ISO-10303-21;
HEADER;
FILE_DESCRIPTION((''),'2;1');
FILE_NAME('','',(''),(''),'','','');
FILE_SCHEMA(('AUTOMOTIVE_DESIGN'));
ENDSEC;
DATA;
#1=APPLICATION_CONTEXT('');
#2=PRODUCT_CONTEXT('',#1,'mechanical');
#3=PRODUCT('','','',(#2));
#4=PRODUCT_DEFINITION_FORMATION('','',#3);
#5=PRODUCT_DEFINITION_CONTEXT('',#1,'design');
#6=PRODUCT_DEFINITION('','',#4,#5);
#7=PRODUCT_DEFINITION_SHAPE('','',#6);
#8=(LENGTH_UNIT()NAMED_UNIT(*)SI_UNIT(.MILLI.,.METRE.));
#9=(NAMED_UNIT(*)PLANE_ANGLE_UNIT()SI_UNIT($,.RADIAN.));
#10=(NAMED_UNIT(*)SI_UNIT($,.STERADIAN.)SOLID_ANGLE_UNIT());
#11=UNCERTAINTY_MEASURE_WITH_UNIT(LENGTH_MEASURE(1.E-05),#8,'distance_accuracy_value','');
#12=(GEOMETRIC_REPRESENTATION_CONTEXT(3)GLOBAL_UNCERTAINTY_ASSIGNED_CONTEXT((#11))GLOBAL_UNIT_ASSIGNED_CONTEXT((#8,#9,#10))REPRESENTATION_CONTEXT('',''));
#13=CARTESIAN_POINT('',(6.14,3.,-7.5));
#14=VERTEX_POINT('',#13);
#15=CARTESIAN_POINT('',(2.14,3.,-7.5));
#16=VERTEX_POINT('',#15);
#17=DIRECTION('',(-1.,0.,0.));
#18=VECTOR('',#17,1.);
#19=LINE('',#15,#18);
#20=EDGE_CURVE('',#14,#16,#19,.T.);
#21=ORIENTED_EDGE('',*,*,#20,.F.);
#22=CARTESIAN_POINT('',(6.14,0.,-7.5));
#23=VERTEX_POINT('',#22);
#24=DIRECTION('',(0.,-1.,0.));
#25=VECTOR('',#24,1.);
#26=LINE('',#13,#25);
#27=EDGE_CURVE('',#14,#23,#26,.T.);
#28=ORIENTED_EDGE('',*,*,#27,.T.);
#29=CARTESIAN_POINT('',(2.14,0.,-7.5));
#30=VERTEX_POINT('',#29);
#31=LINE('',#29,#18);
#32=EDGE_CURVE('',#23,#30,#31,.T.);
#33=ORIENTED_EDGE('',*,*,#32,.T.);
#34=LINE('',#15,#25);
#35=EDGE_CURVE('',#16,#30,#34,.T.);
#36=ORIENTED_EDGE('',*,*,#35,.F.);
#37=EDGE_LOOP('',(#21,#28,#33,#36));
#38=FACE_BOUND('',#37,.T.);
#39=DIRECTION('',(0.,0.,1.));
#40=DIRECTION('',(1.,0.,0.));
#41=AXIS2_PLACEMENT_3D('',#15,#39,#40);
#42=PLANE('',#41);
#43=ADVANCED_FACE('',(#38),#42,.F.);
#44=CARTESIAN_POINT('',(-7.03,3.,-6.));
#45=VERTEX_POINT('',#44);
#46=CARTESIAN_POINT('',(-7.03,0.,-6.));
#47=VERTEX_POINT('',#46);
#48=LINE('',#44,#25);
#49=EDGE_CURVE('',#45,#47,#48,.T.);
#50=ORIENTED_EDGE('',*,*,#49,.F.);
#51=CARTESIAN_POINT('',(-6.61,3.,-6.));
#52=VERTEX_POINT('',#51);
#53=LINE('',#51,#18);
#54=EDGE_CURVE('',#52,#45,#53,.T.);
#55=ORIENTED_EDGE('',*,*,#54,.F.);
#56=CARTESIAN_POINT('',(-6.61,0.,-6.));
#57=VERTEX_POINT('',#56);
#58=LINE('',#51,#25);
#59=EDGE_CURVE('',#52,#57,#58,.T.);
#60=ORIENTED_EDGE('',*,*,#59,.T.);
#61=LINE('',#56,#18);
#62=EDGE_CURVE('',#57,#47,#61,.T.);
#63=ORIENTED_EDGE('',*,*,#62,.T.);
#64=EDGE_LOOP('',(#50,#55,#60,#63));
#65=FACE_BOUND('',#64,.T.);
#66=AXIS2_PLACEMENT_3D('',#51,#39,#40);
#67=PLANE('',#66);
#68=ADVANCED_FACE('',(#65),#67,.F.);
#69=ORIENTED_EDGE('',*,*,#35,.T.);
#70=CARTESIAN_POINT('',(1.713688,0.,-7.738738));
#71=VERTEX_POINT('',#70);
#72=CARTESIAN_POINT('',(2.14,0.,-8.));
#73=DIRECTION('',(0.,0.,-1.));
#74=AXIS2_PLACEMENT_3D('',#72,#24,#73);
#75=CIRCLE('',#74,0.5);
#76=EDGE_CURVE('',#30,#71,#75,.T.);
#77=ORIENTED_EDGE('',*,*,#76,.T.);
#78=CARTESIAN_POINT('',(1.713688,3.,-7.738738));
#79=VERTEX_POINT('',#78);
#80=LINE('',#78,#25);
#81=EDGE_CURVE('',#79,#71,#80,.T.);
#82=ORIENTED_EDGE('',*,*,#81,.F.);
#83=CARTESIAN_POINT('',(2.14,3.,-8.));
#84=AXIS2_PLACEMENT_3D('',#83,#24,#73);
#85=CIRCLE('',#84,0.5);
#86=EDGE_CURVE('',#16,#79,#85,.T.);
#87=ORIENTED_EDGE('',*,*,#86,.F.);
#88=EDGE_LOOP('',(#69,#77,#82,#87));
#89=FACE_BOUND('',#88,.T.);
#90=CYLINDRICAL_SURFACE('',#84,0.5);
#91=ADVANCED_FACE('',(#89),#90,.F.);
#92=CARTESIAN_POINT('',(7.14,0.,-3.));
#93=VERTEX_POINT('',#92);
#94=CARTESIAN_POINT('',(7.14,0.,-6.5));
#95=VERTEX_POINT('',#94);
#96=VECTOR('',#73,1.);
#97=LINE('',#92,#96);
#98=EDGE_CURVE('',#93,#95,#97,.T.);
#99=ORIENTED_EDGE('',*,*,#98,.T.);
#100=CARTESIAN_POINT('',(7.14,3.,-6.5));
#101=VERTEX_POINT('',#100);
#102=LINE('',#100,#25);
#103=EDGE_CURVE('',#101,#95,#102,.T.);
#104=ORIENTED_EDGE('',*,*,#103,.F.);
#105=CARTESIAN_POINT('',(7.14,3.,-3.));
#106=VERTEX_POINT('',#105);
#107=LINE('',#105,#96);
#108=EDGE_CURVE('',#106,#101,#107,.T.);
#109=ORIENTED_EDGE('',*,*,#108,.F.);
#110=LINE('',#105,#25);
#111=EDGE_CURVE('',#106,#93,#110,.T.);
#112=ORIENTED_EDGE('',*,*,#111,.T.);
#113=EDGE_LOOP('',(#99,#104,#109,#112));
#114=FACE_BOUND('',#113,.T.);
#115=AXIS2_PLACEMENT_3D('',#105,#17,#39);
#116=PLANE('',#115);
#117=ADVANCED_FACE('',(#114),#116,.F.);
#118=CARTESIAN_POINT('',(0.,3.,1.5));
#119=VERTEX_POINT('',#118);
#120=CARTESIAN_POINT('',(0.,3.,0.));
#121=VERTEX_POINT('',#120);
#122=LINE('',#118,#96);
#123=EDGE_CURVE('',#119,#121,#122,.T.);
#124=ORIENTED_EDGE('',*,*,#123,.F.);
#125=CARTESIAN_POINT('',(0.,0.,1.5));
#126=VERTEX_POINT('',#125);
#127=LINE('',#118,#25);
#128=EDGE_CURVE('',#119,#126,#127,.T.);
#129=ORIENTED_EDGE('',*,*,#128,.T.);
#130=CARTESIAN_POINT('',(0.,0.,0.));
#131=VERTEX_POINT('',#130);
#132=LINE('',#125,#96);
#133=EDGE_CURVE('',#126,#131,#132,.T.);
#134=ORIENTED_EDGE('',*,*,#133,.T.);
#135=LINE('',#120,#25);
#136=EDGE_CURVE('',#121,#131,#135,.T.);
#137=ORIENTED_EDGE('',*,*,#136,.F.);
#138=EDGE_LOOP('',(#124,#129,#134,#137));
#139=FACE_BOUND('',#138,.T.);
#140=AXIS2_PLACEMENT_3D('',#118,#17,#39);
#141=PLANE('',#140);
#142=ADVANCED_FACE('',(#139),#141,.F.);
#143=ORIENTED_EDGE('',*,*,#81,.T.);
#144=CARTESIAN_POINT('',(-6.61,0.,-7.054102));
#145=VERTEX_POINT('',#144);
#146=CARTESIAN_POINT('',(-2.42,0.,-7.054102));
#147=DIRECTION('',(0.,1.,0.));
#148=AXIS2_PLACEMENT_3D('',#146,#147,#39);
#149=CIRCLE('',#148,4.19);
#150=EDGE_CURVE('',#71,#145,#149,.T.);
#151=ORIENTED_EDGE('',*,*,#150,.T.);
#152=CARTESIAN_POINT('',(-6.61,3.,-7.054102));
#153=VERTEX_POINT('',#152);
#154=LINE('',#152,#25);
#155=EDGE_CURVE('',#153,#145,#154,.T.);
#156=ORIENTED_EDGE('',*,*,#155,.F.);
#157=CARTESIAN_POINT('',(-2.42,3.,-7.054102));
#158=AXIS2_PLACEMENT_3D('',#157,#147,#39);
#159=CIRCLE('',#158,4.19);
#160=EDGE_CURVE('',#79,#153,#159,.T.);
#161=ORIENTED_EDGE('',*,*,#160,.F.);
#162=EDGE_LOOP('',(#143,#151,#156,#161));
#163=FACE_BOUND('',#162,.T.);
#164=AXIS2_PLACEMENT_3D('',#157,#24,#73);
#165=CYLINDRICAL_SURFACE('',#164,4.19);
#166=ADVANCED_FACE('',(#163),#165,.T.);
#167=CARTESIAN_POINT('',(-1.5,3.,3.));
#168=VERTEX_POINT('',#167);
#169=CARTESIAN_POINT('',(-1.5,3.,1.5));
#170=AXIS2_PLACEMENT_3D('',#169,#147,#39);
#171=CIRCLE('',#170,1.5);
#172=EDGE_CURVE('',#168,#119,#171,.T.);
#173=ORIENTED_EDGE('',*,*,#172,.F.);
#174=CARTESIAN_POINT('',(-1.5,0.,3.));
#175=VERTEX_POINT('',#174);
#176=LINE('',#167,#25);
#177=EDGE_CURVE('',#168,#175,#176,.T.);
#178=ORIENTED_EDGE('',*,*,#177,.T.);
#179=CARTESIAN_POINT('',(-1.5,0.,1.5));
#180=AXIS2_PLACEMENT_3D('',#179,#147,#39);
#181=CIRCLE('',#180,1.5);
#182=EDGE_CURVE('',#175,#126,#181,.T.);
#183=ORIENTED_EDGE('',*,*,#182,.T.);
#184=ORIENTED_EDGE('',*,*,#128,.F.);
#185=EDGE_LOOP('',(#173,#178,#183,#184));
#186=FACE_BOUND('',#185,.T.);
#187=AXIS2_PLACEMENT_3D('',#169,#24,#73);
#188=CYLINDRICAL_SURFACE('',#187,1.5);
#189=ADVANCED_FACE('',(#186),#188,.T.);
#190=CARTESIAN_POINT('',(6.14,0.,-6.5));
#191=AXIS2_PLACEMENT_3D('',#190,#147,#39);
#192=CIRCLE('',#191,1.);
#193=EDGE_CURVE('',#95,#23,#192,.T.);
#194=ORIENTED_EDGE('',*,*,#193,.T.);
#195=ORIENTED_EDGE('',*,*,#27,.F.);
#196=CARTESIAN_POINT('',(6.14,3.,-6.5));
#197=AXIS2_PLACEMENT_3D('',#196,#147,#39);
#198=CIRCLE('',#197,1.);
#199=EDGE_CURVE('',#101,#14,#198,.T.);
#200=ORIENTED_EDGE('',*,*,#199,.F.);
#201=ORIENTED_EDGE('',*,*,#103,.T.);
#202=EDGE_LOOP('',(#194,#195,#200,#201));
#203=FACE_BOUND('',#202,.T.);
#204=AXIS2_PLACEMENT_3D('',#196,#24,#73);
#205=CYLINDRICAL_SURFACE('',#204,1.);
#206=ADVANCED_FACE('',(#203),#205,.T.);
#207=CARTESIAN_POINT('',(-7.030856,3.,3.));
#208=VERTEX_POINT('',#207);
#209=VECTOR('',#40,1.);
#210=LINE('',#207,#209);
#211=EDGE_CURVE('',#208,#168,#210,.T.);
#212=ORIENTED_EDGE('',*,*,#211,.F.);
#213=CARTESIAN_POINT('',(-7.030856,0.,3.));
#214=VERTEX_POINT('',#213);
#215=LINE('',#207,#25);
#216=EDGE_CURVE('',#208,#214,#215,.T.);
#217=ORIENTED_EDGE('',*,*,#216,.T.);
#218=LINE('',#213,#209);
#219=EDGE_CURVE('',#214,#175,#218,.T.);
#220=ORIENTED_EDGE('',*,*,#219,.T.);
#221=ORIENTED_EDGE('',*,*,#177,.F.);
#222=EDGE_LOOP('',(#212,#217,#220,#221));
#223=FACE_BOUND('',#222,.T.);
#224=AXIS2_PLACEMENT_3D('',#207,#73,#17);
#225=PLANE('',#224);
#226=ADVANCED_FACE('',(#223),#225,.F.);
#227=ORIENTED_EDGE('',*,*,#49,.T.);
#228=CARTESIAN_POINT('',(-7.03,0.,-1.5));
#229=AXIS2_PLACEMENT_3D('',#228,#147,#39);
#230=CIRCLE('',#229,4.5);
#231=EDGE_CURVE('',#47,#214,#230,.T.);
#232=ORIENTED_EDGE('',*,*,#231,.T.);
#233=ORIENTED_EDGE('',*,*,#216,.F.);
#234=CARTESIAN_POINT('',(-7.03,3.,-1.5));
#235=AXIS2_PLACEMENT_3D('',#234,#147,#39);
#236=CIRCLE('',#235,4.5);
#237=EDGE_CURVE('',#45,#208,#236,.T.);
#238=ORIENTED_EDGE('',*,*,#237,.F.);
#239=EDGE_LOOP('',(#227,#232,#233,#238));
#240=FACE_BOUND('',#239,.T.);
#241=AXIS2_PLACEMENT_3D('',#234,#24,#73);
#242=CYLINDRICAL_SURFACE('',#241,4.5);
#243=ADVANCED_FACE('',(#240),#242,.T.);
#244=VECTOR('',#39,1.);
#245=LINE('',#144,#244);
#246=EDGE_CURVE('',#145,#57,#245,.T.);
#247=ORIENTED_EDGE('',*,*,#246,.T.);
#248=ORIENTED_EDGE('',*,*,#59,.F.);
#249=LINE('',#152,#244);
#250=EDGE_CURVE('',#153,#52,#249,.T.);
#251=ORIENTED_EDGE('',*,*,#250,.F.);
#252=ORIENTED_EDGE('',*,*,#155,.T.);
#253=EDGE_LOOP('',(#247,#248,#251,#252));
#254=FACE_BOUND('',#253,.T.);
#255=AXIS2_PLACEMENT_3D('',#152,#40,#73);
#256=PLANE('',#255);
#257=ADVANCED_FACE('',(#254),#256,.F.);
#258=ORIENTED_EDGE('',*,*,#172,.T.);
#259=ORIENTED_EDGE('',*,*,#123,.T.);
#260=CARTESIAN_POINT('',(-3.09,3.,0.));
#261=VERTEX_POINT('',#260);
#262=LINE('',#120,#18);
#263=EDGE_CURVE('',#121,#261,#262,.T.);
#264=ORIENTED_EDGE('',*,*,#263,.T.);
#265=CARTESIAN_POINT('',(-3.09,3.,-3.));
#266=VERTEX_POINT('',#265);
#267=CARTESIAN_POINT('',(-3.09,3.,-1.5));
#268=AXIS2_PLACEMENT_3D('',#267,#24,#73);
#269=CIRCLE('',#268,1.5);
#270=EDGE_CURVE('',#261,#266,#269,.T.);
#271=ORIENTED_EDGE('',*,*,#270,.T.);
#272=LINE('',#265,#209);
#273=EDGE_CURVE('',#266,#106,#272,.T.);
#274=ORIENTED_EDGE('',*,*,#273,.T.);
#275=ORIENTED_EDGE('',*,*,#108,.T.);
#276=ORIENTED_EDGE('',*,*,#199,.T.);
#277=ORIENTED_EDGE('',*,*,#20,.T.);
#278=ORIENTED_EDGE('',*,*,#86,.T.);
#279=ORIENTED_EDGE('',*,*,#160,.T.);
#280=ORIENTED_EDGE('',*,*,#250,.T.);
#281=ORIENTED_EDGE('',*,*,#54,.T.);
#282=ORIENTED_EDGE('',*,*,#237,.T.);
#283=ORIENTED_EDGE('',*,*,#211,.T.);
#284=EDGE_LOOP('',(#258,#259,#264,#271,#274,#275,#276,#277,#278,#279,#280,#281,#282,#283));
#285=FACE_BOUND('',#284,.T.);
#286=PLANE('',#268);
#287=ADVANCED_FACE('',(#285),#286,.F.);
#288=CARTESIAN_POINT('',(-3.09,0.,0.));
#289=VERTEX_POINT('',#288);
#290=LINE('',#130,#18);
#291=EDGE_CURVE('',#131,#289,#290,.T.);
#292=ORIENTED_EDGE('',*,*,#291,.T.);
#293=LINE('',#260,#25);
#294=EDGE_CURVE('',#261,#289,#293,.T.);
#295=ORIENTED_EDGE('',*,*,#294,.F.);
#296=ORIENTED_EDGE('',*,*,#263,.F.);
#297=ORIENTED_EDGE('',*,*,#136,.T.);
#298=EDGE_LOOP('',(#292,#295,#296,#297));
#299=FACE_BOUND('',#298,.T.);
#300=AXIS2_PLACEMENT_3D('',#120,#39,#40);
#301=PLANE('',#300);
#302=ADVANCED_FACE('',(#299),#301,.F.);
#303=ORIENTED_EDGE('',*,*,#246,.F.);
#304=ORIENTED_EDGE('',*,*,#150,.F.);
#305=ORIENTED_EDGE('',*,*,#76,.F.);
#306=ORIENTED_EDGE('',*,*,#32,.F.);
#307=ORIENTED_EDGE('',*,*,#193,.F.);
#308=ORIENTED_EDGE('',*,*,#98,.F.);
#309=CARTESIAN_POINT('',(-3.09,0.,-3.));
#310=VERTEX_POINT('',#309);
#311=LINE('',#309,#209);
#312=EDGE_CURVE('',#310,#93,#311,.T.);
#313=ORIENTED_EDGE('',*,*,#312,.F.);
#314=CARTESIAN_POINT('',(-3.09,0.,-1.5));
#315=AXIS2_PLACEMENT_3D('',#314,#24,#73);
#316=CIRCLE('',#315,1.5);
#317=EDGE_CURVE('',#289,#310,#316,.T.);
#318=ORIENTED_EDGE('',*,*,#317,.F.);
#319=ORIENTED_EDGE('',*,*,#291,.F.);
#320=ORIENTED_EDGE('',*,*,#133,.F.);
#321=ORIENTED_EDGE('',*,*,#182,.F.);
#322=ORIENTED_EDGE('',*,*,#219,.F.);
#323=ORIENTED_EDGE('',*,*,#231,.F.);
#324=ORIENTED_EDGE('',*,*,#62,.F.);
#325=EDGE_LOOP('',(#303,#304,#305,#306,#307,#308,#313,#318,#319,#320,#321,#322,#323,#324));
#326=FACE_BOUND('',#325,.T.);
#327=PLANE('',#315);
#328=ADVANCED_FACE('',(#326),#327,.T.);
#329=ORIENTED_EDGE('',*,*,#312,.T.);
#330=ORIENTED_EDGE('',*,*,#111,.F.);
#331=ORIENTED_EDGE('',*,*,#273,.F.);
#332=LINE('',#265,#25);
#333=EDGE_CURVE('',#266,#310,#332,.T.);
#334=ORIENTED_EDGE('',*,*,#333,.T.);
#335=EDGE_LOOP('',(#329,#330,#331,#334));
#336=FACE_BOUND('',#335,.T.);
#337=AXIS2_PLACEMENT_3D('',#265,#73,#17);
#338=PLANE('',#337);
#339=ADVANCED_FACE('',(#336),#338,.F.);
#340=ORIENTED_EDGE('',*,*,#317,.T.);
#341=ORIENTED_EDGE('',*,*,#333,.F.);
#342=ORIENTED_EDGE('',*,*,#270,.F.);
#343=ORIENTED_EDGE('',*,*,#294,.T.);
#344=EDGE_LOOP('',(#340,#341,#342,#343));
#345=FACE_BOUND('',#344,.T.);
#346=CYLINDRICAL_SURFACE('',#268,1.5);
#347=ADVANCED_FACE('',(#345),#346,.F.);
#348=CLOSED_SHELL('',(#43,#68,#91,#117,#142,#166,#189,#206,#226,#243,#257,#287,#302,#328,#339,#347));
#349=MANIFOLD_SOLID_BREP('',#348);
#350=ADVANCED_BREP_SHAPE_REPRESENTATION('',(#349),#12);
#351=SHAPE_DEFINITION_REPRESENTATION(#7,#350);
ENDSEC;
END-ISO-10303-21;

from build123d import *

# Parameters (mm, degrees)
BOSS_EXTRUDE2_DEPTH = 3


with BuildPart() as part:
    # Sketch1 → Boss-Extrude2 (new body)
    with BuildSketch(Plane(origin=(0, 0, 0), x_dir=(1, 0, 0), z_dir=(0, 1, 0))):
        with BuildLine():
            Line((0, 0), (-3.09, 0))
            ThreePointArc((-3.09, 0), (-4.59, 1.5), (-3.09, 3))
            Line((-3.09, 3), (7.13999998, 3))
            Line((7.13999998, 3), (7.13999998, 6.5))
            ThreePointArc((7.13999998, 6.5), (6.847106761, 7.207106781), (6.13999998, 7.5))
            Line((6.13999998, 7.5), (2.13999998, 7.5))
            ThreePointArc((2.13999998, 7.5), (1.895695773, 7.563748404), (1.71368758, 7.738738181))
            ThreePointArc((1.71368758, 7.738738181), (-2.763474149, 11.230000081), (-6.61000002, 7.054101912))
            Line((-6.61000002, 7.054101912), (-6.61000002, 6))
            Line((-6.61000002, 6), (-7.03000002, 6))
            ThreePointArc((-7.03000002, 6), (-11.53, 1.500427746), (-7.030855512, -2.999999919))
            Line((-7.030855512, -2.999999919), (-1.5, -2.999999919))
            ThreePointArc((-1.5, -2.999999919), (-0.439339828, -2.56066009), (0, -1.499999919))
            Line((0, -1.499999919), (0, 0))
        make_face()
    extrude(amount=BOSS_EXTRUDE2_DEPTH)


solid = part.part
